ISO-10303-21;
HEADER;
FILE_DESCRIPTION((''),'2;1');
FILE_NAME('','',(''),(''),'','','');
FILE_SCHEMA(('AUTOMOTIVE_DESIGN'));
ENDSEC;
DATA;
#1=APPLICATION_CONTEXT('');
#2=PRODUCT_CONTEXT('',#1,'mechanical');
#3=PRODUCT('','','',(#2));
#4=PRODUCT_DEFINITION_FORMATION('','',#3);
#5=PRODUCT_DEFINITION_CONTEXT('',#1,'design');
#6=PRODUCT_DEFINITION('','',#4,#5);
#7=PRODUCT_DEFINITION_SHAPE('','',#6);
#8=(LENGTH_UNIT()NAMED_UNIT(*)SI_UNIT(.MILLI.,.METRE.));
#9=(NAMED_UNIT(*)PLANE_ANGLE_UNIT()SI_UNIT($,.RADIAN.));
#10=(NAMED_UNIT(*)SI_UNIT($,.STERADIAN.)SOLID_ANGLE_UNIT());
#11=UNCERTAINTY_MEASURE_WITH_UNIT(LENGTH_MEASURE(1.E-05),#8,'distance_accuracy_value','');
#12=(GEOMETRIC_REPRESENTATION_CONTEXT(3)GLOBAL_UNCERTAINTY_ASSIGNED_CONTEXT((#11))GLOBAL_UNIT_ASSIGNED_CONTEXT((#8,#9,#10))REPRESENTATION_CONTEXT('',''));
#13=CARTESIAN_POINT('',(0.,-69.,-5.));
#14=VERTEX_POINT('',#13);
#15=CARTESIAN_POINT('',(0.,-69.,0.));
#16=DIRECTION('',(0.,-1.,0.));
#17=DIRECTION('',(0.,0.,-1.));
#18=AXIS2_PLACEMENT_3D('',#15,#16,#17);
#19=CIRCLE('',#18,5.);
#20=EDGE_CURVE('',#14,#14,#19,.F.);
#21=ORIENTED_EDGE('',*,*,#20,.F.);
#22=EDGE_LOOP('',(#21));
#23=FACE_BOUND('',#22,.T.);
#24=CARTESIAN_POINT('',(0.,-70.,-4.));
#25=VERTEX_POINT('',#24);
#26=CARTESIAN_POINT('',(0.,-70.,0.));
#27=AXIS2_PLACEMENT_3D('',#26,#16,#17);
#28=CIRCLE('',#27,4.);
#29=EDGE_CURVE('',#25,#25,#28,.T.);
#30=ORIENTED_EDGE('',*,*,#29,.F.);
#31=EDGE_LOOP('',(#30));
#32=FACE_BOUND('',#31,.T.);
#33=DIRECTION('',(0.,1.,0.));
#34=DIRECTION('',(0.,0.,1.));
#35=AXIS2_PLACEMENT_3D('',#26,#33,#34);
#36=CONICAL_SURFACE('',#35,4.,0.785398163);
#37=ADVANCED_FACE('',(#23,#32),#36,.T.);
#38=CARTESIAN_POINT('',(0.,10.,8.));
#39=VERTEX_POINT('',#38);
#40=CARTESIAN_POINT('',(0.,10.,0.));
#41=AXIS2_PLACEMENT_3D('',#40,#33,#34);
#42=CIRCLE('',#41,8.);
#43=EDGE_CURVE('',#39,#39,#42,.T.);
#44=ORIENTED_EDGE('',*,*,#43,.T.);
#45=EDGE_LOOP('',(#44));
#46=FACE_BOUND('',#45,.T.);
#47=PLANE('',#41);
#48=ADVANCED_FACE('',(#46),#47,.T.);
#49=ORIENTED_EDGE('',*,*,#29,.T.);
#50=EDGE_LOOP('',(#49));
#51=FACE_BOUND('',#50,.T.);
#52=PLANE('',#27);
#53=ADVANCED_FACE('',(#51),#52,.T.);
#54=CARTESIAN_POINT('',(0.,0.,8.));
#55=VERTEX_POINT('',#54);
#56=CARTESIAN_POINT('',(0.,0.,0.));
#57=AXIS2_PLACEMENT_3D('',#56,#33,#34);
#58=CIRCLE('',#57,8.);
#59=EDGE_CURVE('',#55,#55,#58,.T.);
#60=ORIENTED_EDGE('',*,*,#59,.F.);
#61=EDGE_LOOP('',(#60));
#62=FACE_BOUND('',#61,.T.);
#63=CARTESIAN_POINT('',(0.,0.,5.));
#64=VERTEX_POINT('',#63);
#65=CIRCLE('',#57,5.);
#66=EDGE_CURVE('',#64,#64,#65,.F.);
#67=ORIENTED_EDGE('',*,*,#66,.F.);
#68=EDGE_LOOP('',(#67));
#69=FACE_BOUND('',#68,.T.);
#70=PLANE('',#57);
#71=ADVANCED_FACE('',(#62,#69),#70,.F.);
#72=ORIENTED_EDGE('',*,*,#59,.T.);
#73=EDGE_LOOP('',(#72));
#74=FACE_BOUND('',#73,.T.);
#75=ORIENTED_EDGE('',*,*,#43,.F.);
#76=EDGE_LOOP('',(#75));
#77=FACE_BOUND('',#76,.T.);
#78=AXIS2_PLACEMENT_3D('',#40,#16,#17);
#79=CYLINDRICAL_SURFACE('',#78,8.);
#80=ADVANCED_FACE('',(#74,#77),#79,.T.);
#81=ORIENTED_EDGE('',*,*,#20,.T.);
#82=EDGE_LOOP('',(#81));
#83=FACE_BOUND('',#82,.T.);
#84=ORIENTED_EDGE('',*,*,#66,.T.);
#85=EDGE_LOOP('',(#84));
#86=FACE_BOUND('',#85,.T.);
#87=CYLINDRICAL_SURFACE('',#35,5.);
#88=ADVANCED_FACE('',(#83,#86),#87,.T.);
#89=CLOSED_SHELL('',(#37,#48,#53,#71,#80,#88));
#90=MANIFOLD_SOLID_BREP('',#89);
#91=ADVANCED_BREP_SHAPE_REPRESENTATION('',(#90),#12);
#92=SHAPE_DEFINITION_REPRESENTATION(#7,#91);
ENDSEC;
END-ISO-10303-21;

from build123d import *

# Parameters (mm, degrees)
SKETCH1_R           = 8
BOSS_EXTRUDE1_DEPTH = 10
SKETCH2_R           = 5
BOSS_EXTRUDE2_DEPTH = 70
CHAMFER1_SIZE       = 1


with BuildPart() as part:
    # Sketch1 → Boss-Extrude1 (new body)
    with BuildSketch(Plane(origin=(0, 0, 0), x_dir=(1, 0, 0), z_dir=(0, 1, 0))):
        Circle(SKETCH1_R)
    extrude(amount=BOSS_EXTRUDE1_DEPTH)

    # Sketch2 → Boss-Extrude2 (add)
    with BuildSketch(Plane.XZ):
        Circle(SKETCH2_R)
    extrude(amount=BOSS_EXTRUDE2_DEPTH)

    # Chamfer1
    chamfer1_edges = [part.edges().sort_by_distance(p)[0] for p in [
        (-5, -70, 0),
    ]]
    chamfer(chamfer1_edges, length=CHAMFER1_SIZE)


solid = part.part
